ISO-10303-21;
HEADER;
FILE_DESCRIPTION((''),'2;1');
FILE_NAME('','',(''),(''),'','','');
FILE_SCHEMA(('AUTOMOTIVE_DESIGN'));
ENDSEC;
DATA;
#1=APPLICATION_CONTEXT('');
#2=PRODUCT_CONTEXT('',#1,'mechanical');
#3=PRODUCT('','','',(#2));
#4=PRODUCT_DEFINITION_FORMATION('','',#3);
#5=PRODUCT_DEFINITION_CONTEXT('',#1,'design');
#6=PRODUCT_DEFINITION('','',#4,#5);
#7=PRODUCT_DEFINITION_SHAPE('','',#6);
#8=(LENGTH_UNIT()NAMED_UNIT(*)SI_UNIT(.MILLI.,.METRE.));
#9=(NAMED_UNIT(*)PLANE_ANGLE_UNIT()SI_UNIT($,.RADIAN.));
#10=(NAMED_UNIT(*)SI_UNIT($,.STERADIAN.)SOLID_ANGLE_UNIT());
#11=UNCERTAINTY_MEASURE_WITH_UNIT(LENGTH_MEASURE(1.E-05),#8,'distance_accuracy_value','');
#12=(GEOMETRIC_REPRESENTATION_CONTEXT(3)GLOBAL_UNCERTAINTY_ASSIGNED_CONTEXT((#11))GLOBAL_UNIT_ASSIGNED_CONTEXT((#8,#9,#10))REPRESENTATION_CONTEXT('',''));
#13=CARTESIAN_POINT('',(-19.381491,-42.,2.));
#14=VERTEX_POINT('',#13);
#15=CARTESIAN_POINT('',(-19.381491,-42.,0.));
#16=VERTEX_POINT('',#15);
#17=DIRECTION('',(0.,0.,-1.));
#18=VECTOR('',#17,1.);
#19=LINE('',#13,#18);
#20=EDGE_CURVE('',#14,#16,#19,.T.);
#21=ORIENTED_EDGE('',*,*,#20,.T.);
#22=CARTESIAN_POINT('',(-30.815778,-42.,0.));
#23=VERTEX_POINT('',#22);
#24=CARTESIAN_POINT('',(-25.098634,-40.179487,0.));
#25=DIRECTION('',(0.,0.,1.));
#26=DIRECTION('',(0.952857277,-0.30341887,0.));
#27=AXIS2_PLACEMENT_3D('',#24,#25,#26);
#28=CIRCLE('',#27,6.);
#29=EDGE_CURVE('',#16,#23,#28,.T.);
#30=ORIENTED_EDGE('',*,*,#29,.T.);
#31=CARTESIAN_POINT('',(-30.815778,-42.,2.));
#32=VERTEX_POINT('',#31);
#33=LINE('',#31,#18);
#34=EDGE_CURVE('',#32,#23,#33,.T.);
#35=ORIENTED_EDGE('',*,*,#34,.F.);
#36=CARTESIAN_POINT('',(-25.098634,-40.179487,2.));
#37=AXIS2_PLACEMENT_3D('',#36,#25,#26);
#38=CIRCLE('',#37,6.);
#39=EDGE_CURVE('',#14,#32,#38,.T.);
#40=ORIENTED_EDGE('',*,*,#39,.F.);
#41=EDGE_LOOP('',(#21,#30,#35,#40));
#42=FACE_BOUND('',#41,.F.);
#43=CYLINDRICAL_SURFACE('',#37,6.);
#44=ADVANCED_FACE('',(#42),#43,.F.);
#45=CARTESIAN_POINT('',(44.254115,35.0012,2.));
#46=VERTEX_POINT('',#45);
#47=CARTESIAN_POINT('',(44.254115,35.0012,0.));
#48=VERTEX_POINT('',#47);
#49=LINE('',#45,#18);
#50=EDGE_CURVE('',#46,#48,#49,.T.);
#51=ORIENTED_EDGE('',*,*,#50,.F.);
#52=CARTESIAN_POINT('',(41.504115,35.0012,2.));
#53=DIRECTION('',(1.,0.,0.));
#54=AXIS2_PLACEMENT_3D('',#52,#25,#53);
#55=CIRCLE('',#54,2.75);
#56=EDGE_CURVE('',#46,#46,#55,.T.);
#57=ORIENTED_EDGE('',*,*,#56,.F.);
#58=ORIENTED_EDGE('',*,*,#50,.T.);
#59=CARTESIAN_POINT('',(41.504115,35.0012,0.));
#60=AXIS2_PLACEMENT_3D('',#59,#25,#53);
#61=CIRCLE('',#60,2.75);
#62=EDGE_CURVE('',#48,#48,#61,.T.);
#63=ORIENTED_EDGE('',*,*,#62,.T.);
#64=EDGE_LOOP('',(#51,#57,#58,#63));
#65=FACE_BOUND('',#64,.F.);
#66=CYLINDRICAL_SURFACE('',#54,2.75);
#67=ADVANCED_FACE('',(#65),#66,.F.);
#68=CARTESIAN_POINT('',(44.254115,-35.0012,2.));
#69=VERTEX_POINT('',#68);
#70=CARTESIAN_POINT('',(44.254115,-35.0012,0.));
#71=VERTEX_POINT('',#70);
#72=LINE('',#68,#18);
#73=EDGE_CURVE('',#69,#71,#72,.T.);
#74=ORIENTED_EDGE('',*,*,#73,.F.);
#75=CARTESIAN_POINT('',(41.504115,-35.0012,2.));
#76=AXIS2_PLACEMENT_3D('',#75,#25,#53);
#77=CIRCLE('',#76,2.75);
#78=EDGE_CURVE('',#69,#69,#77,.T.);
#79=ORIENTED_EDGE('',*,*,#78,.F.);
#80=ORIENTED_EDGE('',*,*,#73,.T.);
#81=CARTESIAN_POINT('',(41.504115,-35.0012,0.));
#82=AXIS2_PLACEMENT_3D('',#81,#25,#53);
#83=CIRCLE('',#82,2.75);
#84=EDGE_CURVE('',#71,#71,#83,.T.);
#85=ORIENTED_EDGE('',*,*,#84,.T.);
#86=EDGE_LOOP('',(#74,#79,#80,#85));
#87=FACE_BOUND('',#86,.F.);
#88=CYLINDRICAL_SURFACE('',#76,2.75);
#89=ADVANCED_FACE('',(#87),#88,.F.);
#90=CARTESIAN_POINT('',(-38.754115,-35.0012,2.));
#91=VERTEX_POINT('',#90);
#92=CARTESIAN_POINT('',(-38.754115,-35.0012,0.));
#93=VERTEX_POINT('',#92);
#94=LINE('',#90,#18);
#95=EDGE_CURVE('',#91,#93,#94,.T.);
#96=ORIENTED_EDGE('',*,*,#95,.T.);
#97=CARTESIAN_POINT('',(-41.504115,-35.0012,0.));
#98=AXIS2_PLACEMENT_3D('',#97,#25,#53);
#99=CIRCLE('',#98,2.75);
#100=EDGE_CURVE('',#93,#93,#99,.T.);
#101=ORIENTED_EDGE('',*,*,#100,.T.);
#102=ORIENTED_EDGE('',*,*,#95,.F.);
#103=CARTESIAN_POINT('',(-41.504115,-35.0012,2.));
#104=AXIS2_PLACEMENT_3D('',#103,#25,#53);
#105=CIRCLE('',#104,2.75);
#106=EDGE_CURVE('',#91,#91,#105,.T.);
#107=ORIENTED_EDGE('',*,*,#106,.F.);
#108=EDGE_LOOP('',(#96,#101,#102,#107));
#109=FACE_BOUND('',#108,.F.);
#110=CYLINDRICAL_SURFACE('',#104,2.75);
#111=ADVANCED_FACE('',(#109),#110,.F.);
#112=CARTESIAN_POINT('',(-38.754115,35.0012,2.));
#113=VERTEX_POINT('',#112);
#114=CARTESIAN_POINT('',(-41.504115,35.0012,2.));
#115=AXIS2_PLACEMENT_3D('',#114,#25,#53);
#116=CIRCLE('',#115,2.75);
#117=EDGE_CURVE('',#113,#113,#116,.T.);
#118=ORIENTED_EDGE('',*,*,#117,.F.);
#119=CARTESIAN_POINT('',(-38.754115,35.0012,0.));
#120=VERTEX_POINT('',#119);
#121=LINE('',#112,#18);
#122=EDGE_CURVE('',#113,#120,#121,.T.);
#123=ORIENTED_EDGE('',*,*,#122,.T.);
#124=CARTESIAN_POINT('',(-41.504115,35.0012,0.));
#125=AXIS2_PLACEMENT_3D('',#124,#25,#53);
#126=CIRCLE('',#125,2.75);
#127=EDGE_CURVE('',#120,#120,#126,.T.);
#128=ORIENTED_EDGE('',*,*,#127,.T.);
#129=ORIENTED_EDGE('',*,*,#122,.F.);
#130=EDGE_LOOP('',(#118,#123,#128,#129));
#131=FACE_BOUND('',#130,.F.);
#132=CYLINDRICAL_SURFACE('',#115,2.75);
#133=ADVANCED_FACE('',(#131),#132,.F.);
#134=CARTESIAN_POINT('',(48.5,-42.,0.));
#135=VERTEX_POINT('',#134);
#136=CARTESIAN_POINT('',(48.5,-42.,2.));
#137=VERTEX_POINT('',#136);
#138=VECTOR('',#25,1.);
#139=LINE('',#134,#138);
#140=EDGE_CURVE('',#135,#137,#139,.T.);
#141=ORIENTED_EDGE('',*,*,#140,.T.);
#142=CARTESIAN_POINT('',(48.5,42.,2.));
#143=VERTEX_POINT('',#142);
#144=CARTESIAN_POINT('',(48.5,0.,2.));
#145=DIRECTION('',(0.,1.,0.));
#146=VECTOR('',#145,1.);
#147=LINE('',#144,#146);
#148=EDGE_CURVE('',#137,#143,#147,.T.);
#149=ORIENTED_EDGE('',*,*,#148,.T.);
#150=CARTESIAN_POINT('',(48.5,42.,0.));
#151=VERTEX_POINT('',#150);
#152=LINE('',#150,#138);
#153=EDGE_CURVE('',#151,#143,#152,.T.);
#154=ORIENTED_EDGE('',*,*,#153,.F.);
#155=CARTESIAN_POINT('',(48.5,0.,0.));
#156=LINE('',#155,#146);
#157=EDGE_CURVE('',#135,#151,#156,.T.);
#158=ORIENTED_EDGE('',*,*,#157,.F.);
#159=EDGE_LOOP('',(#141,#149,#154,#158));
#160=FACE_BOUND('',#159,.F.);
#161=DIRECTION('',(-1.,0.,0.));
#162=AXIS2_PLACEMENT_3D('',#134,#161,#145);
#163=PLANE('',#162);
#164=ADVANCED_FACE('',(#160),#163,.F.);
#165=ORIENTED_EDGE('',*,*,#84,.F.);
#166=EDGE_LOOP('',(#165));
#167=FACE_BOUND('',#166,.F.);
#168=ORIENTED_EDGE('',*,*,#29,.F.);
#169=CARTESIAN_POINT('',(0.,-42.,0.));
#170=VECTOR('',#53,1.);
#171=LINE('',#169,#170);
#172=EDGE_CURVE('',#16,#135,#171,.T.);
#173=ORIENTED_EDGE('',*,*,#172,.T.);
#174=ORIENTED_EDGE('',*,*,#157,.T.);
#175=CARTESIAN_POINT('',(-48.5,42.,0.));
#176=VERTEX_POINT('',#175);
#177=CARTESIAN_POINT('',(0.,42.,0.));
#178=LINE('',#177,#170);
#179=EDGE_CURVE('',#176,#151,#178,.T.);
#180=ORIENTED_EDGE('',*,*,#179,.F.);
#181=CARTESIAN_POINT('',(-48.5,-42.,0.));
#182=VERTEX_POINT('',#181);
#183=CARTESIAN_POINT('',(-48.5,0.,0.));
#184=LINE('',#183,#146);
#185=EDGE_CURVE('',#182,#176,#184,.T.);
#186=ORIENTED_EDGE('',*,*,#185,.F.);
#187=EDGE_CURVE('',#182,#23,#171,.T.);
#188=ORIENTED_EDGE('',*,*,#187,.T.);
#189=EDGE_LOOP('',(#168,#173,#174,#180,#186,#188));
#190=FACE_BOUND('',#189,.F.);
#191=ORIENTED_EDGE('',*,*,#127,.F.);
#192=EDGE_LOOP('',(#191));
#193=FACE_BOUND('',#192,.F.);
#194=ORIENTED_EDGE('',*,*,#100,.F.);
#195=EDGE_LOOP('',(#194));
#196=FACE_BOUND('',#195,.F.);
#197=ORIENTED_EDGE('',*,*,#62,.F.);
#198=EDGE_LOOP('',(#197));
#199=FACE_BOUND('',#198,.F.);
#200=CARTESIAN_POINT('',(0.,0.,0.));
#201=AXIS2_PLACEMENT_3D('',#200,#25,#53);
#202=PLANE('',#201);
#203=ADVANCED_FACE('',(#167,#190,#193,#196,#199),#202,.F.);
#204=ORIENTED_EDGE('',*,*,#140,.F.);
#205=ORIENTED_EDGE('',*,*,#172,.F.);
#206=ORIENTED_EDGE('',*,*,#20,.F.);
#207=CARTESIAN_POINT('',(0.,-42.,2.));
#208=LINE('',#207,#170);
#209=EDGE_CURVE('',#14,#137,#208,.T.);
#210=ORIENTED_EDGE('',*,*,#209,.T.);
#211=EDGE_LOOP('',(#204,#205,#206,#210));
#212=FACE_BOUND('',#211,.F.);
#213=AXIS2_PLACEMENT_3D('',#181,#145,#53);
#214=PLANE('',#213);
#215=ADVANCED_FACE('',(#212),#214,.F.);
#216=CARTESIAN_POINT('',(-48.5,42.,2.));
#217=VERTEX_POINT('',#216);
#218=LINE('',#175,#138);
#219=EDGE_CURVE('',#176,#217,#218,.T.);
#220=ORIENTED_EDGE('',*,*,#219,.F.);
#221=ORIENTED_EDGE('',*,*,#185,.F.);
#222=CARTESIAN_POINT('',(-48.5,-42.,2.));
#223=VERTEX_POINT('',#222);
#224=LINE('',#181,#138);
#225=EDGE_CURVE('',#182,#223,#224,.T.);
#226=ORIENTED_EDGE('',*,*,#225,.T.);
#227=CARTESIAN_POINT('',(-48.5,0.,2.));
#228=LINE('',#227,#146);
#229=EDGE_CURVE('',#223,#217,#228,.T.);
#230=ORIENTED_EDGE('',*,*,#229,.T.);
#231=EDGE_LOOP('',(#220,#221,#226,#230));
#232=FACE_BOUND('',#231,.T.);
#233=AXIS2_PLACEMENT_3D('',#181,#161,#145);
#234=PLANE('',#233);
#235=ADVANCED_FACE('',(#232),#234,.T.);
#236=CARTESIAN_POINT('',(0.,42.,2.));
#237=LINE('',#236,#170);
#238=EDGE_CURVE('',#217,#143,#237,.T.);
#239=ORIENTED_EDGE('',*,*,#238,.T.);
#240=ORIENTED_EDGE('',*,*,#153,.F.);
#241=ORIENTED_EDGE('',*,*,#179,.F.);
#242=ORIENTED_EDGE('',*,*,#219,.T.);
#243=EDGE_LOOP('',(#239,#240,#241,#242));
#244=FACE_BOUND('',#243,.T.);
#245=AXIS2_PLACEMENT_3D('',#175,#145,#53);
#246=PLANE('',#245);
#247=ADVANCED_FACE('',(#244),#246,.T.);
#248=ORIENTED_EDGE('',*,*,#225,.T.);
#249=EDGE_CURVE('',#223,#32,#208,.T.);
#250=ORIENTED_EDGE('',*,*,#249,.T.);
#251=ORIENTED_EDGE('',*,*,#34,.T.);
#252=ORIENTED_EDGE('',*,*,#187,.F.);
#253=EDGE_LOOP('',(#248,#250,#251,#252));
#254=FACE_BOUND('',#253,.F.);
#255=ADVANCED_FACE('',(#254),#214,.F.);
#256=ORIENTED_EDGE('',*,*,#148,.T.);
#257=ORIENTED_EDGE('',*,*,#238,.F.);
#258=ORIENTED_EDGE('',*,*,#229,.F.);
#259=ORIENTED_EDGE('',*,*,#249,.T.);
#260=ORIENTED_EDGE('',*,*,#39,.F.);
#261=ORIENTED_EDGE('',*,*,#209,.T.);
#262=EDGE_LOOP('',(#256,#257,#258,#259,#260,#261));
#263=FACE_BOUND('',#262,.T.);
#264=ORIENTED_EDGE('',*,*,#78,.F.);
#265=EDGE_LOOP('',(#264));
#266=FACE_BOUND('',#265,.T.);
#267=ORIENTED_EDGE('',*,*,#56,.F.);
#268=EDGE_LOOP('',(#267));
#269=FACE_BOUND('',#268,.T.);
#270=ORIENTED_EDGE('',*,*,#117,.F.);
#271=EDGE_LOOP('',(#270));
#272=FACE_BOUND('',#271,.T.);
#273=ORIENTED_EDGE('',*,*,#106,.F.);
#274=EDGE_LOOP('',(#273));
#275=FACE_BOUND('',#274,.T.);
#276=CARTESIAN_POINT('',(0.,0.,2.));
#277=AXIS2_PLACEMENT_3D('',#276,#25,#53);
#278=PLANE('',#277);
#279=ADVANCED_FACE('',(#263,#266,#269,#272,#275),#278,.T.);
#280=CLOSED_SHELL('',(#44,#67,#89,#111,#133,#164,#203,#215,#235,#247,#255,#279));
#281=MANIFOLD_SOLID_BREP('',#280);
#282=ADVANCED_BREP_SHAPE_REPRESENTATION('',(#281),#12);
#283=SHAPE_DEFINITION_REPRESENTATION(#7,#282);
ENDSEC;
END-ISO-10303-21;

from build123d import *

# Parameters (mm, degrees)
F0_W     = 97
F0_H     = 84
F1_DEPTH = 2
F2_R     = 2.75
F3_DEPTH = 2
F5_DEPTH = 2


with BuildPart() as f1:
    # F0 (on Top) → F1 (new body)
    with BuildSketch(Plane.XY):
        Rectangle(F0_W, F0_H)
    extrude(amount=F1_DEPTH)

    # F2 (on face) → F3 (cut, through all)
    with BuildSketch(Plane.XY.offset(2)):
        with Locations((-41.504115, 35.0012)):
            Circle(F2_R)
        with Locations((41.504115, 35.0012)):
            Circle(F2_R)
        with Locations((41.504115, -35.0012)):
            Circle(F2_R)
        with Locations((-41.504115, -35.0012)):
            Circle(F2_R)
    extrude(amount=-F3_DEPTH, mode=Mode.SUBTRACT)

    # F4 (on face) → F5 (cut, through all)
    with BuildSketch(Plane.XY.offset(2)):
        with BuildLine():
            Line((-30.815778, -42), (-19.381491, -42))
            ThreePointArc((-19.381491, -42), (-25.098634, -34.179487), (-30.815778, -42))
        make_face()
    extrude(amount=-F5_DEPTH, mode=Mode.SUBTRACT)


solid = f1.part
